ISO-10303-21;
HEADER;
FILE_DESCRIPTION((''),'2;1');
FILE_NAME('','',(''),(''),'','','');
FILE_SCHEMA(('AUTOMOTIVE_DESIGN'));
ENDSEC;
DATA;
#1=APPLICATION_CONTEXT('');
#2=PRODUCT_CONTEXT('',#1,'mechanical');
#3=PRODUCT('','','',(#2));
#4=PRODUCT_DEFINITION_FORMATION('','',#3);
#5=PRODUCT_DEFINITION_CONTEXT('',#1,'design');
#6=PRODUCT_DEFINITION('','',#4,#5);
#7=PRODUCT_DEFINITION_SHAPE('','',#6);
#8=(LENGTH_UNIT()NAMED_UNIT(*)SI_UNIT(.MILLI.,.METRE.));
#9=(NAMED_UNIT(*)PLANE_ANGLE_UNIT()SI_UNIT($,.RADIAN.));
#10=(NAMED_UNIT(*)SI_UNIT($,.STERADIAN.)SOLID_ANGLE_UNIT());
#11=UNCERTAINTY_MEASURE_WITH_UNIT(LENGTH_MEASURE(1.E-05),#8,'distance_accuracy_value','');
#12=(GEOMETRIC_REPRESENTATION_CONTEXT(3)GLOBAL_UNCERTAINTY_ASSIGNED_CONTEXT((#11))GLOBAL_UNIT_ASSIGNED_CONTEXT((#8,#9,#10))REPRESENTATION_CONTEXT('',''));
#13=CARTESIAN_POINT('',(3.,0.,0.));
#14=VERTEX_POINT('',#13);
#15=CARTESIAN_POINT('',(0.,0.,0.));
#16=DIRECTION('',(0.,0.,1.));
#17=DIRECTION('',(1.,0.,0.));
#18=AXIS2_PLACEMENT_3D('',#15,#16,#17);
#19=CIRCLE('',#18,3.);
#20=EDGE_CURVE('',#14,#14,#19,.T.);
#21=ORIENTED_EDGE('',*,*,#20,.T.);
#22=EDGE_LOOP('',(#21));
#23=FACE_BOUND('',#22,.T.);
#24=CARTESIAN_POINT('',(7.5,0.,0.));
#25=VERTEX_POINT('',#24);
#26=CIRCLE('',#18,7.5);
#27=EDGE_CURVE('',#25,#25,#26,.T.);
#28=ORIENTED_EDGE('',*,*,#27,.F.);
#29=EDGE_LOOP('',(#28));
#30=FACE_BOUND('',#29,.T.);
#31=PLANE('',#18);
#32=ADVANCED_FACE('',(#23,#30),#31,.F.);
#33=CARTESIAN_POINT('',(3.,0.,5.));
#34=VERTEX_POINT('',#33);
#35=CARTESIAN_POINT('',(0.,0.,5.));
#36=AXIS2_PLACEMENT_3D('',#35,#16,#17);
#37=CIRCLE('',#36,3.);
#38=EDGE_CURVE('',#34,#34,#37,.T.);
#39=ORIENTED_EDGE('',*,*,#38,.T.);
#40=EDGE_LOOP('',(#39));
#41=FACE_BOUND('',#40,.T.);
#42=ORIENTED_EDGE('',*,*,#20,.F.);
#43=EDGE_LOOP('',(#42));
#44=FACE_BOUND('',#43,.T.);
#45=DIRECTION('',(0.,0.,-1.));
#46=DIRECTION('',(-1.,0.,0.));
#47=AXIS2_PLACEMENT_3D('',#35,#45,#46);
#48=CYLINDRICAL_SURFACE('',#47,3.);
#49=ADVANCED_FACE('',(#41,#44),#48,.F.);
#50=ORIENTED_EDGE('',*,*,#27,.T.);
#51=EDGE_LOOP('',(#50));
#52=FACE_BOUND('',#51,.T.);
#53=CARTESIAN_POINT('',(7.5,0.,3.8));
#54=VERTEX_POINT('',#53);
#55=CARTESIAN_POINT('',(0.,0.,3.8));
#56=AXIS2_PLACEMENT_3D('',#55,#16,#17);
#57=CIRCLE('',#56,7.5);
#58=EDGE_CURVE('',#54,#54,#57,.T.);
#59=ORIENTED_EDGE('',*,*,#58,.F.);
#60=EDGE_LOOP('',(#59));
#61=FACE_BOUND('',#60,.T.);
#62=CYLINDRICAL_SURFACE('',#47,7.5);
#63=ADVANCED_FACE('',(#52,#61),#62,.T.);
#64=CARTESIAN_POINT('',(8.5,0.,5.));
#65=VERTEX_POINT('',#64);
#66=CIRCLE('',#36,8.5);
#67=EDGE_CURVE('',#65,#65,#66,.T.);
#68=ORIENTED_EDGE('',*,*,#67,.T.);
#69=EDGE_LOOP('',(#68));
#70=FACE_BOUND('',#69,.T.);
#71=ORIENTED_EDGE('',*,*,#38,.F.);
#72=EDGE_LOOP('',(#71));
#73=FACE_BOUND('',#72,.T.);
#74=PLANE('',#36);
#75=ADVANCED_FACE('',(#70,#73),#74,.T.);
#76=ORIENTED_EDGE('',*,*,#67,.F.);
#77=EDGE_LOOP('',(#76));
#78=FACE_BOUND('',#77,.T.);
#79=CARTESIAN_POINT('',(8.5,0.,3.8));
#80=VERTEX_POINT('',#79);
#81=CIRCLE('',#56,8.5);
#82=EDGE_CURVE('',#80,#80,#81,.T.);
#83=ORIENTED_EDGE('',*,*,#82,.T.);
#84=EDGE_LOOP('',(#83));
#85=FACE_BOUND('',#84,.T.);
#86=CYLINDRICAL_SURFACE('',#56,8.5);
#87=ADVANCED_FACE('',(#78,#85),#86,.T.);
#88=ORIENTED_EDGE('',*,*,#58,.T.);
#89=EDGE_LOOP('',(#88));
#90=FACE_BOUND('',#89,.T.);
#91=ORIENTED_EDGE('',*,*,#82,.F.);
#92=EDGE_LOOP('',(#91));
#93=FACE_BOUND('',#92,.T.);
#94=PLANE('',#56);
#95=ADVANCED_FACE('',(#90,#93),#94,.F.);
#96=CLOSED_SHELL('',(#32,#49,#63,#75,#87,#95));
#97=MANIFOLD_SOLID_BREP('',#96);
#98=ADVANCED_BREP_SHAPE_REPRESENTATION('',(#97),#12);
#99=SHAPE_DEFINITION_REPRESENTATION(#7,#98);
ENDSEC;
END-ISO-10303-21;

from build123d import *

# Parameters (mm, degrees)
SKETCH_1_R      = 7.5
SKETCH_1_R_2    = 3
EXTRUDE_1_DEPTH = 5
EXTRUDE_START   = -1.2
SKETCH_2_R      = 8.5
SKETCH_2_R_2    = 7.5
EXTRUDE_2_DEPTH = 1.2


with BuildPart() as part:
    # 草图1 → 凸台-拉伸1 (new body)
    with BuildSketch(Plane.XY):
        Circle(SKETCH_1_R)
        Circle(SKETCH_1_R_2, mode=Mode.SUBTRACT)
    extrude(amount=EXTRUDE_1_DEPTH)

    # 草图2 → 凸台-拉伸2 (add)
    with BuildSketch(Plane.XY.offset(5).offset(EXTRUDE_START)):
        Circle(SKETCH_2_R)
        Circle(SKETCH_2_R_2, mode=Mode.SUBTRACT)
    extrude(amount=EXTRUDE_2_DEPTH)


solid = part.part
